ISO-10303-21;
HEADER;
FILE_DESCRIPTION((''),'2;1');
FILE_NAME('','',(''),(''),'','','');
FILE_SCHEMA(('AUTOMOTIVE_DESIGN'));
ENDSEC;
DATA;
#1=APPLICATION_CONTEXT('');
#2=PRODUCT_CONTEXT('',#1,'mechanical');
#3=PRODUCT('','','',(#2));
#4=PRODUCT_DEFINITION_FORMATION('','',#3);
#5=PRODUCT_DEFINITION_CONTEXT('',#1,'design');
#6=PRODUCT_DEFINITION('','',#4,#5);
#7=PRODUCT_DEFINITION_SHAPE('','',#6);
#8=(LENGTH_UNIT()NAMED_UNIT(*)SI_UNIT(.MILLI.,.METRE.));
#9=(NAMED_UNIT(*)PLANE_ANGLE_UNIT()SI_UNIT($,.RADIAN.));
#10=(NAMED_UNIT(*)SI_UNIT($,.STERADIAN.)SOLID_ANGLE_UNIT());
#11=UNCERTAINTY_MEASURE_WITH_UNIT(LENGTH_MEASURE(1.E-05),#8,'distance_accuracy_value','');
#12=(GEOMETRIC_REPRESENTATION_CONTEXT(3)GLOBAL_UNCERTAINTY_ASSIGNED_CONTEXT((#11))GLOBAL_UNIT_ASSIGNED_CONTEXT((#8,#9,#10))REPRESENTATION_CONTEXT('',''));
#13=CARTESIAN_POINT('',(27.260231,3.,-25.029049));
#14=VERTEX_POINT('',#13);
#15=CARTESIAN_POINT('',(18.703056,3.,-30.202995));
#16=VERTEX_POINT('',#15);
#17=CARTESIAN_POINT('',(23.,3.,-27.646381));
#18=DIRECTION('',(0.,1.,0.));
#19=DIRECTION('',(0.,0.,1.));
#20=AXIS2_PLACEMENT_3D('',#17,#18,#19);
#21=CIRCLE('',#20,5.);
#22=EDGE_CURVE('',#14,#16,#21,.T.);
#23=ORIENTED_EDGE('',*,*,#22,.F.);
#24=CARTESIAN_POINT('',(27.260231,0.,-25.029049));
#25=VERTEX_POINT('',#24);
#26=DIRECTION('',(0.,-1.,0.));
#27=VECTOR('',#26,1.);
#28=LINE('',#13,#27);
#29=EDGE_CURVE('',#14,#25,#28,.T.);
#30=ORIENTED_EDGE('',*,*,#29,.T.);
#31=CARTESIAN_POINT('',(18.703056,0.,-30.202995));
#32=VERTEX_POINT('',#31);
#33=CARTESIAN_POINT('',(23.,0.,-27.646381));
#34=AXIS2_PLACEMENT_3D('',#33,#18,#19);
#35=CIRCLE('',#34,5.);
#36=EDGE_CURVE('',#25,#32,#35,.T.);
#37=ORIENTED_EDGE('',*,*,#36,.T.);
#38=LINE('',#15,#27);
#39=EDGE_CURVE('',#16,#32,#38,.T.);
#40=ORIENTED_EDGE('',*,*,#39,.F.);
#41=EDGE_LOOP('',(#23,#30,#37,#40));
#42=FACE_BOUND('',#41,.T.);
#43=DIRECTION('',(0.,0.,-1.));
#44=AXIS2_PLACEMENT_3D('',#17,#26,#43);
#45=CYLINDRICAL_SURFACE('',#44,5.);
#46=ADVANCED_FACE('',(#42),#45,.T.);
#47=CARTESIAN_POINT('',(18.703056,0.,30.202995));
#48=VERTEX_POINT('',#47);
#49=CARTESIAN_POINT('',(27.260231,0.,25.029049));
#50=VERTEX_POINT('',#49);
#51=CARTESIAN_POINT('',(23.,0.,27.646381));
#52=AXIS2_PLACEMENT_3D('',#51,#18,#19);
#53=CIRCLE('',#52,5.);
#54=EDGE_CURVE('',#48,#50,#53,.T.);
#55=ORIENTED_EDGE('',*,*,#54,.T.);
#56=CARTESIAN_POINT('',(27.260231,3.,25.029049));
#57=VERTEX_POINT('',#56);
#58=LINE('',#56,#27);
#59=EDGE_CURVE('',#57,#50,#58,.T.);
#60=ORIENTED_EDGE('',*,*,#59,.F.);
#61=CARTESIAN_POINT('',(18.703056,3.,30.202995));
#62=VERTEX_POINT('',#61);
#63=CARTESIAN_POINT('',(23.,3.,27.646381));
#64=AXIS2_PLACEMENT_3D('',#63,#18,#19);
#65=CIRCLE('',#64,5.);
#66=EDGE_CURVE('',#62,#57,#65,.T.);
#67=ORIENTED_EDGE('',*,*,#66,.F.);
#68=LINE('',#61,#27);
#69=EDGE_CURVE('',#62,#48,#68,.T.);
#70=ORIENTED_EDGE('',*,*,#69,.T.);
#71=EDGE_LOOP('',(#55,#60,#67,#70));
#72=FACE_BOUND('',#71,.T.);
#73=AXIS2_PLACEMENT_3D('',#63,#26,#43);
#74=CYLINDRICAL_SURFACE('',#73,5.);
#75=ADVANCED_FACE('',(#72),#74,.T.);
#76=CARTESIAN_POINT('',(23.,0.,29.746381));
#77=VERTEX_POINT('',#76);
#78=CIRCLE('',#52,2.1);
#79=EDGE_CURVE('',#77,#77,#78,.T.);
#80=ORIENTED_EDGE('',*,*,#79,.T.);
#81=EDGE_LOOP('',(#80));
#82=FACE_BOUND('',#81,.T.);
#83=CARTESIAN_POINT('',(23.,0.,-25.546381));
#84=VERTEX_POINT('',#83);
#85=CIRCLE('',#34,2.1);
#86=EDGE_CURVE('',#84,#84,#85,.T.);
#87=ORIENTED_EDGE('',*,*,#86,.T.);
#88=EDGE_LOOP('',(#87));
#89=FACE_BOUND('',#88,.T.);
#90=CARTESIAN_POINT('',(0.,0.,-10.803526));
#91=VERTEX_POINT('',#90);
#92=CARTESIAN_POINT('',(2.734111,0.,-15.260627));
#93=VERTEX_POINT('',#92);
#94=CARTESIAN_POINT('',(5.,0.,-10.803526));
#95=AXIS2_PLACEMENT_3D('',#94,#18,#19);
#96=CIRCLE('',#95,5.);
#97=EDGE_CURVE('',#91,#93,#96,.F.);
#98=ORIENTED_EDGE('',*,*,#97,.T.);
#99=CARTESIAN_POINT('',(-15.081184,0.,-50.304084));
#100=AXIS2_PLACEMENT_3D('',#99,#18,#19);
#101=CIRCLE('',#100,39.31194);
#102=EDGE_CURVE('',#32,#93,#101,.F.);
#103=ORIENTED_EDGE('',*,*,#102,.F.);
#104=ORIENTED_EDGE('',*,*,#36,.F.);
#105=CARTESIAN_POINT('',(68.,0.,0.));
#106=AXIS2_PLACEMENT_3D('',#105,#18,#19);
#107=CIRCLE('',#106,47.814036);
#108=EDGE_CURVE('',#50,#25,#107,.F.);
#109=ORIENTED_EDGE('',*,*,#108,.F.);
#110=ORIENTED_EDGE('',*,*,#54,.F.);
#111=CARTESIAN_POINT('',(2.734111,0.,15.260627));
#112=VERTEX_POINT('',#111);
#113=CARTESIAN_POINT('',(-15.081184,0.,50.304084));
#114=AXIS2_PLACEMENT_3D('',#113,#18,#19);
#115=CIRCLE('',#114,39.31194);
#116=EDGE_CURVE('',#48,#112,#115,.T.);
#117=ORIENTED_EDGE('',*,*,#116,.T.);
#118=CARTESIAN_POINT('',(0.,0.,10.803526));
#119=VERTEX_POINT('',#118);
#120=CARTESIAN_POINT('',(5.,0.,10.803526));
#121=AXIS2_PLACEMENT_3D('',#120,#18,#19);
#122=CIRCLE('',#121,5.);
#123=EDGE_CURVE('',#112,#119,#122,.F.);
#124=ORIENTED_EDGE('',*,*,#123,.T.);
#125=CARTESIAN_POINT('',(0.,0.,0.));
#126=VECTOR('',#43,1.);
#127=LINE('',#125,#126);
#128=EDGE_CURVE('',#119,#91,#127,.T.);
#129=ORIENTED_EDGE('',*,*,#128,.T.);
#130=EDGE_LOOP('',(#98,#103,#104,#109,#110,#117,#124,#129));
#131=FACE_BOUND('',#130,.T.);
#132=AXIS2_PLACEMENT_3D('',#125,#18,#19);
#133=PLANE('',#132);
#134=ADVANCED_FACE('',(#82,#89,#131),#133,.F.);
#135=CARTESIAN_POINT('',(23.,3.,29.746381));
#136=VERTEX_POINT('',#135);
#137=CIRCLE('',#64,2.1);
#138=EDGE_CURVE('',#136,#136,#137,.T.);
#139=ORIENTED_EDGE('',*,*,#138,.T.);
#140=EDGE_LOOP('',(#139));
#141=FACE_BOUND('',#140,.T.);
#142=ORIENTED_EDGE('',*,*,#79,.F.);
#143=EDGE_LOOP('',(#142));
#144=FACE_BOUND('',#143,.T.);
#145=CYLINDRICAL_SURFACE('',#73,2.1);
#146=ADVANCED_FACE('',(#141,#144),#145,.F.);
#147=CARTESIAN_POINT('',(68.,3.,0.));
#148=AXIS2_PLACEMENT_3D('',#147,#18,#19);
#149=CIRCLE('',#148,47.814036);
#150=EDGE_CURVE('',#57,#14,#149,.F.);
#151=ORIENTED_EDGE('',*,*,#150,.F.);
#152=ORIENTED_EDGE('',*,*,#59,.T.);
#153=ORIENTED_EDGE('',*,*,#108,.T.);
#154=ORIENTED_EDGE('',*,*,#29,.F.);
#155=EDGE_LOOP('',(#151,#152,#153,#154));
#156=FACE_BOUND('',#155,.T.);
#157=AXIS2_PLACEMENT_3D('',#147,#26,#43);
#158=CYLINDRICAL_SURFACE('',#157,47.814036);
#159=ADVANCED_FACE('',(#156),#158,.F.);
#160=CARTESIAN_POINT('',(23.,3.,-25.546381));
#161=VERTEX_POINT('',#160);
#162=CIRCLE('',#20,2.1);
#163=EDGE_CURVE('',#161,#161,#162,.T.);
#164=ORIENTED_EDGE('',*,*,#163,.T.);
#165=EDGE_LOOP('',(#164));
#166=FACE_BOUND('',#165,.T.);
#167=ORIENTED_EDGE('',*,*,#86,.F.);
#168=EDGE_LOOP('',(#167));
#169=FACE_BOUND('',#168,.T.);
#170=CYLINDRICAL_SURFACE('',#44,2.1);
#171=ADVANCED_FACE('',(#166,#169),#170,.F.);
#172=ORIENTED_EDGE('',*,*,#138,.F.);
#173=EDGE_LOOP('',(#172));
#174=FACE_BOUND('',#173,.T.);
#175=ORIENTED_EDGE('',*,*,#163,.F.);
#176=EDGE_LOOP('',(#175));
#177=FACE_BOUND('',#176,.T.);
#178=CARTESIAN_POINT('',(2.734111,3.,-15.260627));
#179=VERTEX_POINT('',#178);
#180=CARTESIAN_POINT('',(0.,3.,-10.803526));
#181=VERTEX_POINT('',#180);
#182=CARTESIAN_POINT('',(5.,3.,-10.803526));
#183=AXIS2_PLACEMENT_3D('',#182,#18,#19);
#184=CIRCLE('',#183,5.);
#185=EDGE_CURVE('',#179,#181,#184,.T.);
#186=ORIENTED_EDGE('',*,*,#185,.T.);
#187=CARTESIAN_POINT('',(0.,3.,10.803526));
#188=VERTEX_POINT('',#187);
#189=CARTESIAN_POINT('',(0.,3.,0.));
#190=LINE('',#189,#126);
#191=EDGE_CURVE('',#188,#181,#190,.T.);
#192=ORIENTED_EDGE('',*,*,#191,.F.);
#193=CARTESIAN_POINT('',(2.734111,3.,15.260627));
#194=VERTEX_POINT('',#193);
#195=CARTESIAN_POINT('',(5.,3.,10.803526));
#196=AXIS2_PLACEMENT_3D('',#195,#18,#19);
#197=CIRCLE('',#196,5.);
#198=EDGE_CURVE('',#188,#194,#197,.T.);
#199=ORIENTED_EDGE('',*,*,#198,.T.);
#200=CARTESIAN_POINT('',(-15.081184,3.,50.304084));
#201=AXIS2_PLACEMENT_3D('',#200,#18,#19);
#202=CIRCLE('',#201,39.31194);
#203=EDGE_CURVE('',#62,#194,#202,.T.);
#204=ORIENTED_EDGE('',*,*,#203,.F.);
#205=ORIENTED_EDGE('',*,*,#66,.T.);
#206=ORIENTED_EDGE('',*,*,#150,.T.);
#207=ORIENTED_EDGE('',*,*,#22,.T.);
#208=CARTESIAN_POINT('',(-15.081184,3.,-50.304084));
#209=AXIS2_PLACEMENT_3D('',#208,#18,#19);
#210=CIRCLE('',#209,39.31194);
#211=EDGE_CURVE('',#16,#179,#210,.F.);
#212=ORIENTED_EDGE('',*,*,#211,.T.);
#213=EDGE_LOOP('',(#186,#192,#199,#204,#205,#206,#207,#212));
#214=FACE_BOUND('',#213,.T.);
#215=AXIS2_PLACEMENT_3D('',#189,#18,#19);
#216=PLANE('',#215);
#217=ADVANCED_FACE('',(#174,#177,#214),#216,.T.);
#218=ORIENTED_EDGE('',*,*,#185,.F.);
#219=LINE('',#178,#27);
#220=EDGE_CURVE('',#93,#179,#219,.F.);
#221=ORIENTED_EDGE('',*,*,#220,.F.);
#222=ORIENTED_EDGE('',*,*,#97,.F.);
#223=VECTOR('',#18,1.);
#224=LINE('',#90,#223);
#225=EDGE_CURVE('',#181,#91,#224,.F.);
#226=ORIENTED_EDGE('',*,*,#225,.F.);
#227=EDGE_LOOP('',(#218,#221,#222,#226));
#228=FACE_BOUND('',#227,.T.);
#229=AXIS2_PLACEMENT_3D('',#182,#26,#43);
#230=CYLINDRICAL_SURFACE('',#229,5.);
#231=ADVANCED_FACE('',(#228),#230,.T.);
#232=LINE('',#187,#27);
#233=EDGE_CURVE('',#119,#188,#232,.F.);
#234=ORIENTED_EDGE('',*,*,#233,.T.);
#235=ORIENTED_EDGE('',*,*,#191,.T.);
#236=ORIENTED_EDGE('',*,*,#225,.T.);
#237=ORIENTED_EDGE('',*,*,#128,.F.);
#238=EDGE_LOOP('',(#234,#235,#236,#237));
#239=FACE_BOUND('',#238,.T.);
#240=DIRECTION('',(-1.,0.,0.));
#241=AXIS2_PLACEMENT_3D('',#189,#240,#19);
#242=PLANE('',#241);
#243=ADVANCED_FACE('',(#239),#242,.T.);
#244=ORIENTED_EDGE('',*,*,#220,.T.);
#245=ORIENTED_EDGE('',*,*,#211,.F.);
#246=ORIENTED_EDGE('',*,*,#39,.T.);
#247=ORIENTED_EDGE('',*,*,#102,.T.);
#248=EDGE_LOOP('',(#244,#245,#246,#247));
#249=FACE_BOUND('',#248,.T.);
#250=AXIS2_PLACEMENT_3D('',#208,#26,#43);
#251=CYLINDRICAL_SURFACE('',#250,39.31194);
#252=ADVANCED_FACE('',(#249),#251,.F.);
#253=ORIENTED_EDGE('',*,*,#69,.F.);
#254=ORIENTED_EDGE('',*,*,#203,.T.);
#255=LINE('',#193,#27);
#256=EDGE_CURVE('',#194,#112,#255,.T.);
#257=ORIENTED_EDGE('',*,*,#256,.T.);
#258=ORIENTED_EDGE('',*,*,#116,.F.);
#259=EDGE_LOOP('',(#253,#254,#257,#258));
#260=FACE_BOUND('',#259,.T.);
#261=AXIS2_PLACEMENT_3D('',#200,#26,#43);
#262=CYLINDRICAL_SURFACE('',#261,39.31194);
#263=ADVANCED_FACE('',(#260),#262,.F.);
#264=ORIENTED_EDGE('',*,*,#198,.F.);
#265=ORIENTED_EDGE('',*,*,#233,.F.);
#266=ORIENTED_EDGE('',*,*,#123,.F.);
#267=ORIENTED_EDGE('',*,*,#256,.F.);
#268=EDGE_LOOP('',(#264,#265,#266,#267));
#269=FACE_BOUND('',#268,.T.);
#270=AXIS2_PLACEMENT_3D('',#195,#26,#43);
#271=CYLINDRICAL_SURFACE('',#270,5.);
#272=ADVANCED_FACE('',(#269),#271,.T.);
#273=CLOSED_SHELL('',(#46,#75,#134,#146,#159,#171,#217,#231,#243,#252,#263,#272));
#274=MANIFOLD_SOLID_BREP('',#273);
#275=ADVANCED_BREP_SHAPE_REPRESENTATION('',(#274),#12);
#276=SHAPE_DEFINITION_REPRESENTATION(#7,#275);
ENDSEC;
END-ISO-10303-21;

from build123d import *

# Parameters (mm, degrees)
SKETCH1_R           = 5
SKETCH1_R_2         = 2.1
BOSS_EXTRUDE1_DEPTH = 3
FILLET1_R           = 5


with BuildPart() as part:
    # Sketch1 → Boss-Extrude1 (new body)
    # profile 1 of 3: a face of its own
    with BuildSketch(Plane(origin=(0, 0, 0), x_dir=(1, 0, 0), z_dir=(0, 1, 0))):
        with BuildLine():
            Line((0, 14), (0, -14))
            ThreePointArc((0, -14), (10.659672329, -20.591511651), (18.703056171, -30.202995218))
            ThreePointArc((18.703056171, -30.202995218), (20.412961628, -23.367686313), (27.260231116, -25.029048724))
            ThreePointArc((27.260231116, -25.029048724), (20.185963894, 0), (27.260231116, 25.029048724))
            ThreePointArc((27.260231116, 25.029048724), (20.412961628, 23.367686313), (18.703056171, 30.202995218))
            ThreePointArc((18.703056171, 30.202995218), (10.659672329, 20.591511651), (0, 14))
        make_face()
    # profile 2 of 3: a face of its own
    with BuildSketch(Plane(origin=(0, 0, 0), x_dir=(1, 0, 0), z_dir=(0, 1, 0))):
        with Locations((23, -27.646381495)):
            Circle(SKETCH1_R)
        with Locations(Location((23, -27.646381495, 0), (0, 0, 270))):
            Circle(SKETCH1_R_2, mode=Mode.SUBTRACT)
    # profile 3 of 3: a face of its own
    with BuildSketch(Plane(origin=(0, 0, 0), x_dir=(1, 0, 0), z_dir=(0, 1, 0))):
        with Locations((23, 27.646381495)):
            Circle(SKETCH1_R)
        with Locations(Location((23, 27.646381495, 0), (0, 0, 270))):
            Circle(SKETCH1_R_2, mode=Mode.SUBTRACT)
    extrude(amount=BOSS_EXTRUDE1_DEPTH)

    # Fillet1
    fillet1_edges = [part.edges().sort_by_distance(p)[0] for p in [
        (0, 1.5, 14),
        (0, 1.5, -14),
    ]]
    fillet(fillet1_edges, radius=FILLET1_R)


solid = part.part
